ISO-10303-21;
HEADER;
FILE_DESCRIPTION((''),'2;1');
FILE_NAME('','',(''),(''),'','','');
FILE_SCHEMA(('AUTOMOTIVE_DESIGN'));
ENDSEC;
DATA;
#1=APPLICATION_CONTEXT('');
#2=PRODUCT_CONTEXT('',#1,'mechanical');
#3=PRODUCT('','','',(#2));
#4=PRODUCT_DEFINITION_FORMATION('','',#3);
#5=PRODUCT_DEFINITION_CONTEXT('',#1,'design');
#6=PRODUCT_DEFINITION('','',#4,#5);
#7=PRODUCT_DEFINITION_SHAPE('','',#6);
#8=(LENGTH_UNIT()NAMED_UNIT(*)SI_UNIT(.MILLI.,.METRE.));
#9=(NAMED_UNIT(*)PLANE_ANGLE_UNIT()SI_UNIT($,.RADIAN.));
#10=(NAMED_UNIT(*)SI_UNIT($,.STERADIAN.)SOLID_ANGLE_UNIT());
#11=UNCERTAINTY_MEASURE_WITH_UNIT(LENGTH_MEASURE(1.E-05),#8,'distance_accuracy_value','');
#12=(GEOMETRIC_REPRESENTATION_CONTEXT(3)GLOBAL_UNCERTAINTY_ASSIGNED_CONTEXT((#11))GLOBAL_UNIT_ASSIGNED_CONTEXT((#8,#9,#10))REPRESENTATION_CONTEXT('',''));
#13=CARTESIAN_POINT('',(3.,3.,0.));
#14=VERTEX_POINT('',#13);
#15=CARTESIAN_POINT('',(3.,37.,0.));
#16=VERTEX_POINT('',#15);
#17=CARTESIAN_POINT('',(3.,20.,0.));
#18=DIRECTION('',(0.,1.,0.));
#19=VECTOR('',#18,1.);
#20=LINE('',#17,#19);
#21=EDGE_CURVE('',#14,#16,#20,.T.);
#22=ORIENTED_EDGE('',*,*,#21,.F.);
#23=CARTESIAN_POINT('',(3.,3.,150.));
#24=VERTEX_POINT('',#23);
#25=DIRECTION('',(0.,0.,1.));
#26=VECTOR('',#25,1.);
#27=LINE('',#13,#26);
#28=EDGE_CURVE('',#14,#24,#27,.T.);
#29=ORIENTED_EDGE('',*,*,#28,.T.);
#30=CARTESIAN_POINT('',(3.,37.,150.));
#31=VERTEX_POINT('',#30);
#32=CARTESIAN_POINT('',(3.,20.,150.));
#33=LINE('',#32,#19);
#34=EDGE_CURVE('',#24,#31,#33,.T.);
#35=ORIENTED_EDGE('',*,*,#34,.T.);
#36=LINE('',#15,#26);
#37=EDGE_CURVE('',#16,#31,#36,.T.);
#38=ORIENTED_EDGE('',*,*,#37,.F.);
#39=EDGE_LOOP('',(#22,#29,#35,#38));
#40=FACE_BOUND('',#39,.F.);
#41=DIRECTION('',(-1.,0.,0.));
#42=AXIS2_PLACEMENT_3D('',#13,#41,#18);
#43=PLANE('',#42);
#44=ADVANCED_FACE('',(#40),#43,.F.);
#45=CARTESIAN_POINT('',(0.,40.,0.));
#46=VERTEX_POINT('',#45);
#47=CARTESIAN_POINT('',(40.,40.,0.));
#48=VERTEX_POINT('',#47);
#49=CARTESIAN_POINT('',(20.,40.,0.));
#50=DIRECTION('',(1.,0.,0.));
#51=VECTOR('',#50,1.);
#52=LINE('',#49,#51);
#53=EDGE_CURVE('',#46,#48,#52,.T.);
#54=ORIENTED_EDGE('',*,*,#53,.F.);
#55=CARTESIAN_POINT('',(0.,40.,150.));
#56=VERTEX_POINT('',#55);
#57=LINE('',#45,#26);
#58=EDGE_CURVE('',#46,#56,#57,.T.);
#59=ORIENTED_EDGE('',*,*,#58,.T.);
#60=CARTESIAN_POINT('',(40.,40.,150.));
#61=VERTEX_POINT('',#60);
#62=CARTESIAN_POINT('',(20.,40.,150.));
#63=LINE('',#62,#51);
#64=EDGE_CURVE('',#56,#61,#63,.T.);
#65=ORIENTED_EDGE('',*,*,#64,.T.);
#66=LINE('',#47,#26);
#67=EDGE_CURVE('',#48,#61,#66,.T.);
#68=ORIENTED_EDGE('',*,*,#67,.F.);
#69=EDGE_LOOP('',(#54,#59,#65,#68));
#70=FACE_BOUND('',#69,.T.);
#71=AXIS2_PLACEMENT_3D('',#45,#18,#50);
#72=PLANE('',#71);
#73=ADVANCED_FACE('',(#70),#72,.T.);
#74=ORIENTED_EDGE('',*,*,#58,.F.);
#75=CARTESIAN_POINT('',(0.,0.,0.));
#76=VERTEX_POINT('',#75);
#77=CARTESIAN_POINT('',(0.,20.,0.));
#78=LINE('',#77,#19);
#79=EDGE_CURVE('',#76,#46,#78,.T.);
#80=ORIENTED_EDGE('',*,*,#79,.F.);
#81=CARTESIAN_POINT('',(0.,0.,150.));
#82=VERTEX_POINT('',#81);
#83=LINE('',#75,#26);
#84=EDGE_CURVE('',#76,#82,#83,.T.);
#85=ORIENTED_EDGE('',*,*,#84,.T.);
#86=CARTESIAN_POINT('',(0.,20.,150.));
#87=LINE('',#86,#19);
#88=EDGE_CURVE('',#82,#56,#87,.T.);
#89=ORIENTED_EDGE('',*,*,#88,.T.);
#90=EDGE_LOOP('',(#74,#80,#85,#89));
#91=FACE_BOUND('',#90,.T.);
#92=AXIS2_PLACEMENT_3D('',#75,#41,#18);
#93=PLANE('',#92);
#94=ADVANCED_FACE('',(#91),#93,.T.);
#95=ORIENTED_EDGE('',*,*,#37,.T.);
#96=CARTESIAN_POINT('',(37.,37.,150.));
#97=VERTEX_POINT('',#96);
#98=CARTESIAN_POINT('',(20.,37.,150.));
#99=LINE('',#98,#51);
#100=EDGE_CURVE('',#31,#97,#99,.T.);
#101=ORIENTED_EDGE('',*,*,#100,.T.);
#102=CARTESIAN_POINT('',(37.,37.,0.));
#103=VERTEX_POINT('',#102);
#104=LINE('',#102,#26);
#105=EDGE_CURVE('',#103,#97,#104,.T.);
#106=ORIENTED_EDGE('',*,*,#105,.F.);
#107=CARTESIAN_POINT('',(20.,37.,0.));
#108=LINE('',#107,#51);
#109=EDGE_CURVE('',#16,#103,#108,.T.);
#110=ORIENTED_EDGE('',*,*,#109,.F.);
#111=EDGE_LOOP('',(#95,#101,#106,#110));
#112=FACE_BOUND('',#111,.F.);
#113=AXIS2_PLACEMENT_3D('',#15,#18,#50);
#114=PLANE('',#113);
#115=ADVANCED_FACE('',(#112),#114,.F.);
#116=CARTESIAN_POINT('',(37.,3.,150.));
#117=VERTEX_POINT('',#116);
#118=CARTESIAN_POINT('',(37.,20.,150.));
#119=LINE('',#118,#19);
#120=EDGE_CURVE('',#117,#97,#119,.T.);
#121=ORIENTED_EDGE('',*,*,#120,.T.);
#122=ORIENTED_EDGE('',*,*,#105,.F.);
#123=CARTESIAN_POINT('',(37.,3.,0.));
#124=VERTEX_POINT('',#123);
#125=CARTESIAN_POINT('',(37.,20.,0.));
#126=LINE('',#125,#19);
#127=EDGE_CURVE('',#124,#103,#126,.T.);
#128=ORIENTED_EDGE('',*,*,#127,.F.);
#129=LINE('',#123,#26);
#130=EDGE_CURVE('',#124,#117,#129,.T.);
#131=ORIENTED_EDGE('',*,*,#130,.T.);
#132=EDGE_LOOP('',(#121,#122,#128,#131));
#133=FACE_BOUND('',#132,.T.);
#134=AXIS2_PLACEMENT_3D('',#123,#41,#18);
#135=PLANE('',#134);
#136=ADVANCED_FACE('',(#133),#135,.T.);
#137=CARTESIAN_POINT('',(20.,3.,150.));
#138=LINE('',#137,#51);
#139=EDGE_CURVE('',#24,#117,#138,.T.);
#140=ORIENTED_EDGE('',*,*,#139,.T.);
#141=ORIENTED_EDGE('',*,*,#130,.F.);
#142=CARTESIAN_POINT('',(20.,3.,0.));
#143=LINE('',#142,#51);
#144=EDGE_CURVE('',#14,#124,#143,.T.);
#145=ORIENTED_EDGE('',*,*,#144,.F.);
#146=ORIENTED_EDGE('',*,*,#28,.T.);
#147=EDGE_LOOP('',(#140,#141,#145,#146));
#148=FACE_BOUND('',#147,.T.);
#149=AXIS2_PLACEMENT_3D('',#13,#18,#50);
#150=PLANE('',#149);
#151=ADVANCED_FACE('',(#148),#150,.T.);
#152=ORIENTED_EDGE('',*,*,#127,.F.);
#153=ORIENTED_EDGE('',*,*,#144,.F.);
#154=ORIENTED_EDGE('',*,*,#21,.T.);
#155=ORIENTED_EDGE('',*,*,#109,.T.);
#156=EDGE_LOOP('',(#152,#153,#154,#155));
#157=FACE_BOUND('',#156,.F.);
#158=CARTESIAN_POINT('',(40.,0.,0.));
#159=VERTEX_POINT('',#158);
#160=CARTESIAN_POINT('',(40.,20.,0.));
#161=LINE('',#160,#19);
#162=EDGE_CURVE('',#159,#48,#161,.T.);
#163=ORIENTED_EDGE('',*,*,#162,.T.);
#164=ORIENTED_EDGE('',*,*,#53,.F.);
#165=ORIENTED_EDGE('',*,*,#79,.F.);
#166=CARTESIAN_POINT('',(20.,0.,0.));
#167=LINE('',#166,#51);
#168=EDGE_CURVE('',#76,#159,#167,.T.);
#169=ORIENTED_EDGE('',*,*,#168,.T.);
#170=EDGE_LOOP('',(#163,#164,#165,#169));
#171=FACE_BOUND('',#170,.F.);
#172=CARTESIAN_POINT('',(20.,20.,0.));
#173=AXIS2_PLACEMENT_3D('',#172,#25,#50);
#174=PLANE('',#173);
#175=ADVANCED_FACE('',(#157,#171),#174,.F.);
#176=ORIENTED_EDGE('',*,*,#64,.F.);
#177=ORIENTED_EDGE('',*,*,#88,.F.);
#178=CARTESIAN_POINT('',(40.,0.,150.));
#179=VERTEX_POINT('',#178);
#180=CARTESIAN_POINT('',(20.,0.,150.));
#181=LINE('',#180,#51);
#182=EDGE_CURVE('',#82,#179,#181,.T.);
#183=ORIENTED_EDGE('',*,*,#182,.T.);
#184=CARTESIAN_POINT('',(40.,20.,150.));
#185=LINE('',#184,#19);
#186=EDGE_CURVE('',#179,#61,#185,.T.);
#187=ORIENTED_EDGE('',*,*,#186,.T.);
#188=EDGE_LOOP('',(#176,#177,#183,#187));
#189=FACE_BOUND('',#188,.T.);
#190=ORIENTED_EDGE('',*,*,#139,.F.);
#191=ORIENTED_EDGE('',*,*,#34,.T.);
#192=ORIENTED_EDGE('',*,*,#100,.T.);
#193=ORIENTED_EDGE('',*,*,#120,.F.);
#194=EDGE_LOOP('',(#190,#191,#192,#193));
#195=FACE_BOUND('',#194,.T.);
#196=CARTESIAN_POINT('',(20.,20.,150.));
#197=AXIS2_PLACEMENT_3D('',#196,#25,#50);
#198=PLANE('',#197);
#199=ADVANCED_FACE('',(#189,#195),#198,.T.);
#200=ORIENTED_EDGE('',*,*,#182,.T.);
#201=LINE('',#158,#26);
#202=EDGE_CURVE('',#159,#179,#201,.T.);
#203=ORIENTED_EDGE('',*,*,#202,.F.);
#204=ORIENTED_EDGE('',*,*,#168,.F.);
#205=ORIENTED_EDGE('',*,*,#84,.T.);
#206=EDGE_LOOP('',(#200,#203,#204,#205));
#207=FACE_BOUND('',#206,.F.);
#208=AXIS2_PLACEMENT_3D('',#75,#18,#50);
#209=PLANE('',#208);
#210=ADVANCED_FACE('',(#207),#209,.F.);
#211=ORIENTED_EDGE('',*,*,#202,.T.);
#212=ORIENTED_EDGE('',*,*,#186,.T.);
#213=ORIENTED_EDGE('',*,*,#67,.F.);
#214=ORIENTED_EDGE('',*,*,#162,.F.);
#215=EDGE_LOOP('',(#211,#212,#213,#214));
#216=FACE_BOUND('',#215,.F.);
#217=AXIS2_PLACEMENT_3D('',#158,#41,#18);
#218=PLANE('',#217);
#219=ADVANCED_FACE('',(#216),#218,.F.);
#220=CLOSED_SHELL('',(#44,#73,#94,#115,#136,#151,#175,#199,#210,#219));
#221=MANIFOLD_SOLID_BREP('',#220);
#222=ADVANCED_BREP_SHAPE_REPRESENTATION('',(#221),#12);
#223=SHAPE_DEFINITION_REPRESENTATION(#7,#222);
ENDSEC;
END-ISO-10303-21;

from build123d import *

# Parameters (mm, degrees)
SKETCH_W   = 40
SKETCH_H   = 40
SKETCH_W_2 = 34
SKETCH_H_2 = 34
PAD_DEPTH  = 150


with BuildPart() as part:
    # Sketch → Pad (new body)
    with BuildSketch(Plane.XY):
        with Locations((20, 20)):
            Rectangle(SKETCH_W, SKETCH_H)
        with Locations((20, 20)):
            Rectangle(SKETCH_W_2, SKETCH_H_2, mode=Mode.SUBTRACT)
    extrude(amount=PAD_DEPTH)


solid = part.part
